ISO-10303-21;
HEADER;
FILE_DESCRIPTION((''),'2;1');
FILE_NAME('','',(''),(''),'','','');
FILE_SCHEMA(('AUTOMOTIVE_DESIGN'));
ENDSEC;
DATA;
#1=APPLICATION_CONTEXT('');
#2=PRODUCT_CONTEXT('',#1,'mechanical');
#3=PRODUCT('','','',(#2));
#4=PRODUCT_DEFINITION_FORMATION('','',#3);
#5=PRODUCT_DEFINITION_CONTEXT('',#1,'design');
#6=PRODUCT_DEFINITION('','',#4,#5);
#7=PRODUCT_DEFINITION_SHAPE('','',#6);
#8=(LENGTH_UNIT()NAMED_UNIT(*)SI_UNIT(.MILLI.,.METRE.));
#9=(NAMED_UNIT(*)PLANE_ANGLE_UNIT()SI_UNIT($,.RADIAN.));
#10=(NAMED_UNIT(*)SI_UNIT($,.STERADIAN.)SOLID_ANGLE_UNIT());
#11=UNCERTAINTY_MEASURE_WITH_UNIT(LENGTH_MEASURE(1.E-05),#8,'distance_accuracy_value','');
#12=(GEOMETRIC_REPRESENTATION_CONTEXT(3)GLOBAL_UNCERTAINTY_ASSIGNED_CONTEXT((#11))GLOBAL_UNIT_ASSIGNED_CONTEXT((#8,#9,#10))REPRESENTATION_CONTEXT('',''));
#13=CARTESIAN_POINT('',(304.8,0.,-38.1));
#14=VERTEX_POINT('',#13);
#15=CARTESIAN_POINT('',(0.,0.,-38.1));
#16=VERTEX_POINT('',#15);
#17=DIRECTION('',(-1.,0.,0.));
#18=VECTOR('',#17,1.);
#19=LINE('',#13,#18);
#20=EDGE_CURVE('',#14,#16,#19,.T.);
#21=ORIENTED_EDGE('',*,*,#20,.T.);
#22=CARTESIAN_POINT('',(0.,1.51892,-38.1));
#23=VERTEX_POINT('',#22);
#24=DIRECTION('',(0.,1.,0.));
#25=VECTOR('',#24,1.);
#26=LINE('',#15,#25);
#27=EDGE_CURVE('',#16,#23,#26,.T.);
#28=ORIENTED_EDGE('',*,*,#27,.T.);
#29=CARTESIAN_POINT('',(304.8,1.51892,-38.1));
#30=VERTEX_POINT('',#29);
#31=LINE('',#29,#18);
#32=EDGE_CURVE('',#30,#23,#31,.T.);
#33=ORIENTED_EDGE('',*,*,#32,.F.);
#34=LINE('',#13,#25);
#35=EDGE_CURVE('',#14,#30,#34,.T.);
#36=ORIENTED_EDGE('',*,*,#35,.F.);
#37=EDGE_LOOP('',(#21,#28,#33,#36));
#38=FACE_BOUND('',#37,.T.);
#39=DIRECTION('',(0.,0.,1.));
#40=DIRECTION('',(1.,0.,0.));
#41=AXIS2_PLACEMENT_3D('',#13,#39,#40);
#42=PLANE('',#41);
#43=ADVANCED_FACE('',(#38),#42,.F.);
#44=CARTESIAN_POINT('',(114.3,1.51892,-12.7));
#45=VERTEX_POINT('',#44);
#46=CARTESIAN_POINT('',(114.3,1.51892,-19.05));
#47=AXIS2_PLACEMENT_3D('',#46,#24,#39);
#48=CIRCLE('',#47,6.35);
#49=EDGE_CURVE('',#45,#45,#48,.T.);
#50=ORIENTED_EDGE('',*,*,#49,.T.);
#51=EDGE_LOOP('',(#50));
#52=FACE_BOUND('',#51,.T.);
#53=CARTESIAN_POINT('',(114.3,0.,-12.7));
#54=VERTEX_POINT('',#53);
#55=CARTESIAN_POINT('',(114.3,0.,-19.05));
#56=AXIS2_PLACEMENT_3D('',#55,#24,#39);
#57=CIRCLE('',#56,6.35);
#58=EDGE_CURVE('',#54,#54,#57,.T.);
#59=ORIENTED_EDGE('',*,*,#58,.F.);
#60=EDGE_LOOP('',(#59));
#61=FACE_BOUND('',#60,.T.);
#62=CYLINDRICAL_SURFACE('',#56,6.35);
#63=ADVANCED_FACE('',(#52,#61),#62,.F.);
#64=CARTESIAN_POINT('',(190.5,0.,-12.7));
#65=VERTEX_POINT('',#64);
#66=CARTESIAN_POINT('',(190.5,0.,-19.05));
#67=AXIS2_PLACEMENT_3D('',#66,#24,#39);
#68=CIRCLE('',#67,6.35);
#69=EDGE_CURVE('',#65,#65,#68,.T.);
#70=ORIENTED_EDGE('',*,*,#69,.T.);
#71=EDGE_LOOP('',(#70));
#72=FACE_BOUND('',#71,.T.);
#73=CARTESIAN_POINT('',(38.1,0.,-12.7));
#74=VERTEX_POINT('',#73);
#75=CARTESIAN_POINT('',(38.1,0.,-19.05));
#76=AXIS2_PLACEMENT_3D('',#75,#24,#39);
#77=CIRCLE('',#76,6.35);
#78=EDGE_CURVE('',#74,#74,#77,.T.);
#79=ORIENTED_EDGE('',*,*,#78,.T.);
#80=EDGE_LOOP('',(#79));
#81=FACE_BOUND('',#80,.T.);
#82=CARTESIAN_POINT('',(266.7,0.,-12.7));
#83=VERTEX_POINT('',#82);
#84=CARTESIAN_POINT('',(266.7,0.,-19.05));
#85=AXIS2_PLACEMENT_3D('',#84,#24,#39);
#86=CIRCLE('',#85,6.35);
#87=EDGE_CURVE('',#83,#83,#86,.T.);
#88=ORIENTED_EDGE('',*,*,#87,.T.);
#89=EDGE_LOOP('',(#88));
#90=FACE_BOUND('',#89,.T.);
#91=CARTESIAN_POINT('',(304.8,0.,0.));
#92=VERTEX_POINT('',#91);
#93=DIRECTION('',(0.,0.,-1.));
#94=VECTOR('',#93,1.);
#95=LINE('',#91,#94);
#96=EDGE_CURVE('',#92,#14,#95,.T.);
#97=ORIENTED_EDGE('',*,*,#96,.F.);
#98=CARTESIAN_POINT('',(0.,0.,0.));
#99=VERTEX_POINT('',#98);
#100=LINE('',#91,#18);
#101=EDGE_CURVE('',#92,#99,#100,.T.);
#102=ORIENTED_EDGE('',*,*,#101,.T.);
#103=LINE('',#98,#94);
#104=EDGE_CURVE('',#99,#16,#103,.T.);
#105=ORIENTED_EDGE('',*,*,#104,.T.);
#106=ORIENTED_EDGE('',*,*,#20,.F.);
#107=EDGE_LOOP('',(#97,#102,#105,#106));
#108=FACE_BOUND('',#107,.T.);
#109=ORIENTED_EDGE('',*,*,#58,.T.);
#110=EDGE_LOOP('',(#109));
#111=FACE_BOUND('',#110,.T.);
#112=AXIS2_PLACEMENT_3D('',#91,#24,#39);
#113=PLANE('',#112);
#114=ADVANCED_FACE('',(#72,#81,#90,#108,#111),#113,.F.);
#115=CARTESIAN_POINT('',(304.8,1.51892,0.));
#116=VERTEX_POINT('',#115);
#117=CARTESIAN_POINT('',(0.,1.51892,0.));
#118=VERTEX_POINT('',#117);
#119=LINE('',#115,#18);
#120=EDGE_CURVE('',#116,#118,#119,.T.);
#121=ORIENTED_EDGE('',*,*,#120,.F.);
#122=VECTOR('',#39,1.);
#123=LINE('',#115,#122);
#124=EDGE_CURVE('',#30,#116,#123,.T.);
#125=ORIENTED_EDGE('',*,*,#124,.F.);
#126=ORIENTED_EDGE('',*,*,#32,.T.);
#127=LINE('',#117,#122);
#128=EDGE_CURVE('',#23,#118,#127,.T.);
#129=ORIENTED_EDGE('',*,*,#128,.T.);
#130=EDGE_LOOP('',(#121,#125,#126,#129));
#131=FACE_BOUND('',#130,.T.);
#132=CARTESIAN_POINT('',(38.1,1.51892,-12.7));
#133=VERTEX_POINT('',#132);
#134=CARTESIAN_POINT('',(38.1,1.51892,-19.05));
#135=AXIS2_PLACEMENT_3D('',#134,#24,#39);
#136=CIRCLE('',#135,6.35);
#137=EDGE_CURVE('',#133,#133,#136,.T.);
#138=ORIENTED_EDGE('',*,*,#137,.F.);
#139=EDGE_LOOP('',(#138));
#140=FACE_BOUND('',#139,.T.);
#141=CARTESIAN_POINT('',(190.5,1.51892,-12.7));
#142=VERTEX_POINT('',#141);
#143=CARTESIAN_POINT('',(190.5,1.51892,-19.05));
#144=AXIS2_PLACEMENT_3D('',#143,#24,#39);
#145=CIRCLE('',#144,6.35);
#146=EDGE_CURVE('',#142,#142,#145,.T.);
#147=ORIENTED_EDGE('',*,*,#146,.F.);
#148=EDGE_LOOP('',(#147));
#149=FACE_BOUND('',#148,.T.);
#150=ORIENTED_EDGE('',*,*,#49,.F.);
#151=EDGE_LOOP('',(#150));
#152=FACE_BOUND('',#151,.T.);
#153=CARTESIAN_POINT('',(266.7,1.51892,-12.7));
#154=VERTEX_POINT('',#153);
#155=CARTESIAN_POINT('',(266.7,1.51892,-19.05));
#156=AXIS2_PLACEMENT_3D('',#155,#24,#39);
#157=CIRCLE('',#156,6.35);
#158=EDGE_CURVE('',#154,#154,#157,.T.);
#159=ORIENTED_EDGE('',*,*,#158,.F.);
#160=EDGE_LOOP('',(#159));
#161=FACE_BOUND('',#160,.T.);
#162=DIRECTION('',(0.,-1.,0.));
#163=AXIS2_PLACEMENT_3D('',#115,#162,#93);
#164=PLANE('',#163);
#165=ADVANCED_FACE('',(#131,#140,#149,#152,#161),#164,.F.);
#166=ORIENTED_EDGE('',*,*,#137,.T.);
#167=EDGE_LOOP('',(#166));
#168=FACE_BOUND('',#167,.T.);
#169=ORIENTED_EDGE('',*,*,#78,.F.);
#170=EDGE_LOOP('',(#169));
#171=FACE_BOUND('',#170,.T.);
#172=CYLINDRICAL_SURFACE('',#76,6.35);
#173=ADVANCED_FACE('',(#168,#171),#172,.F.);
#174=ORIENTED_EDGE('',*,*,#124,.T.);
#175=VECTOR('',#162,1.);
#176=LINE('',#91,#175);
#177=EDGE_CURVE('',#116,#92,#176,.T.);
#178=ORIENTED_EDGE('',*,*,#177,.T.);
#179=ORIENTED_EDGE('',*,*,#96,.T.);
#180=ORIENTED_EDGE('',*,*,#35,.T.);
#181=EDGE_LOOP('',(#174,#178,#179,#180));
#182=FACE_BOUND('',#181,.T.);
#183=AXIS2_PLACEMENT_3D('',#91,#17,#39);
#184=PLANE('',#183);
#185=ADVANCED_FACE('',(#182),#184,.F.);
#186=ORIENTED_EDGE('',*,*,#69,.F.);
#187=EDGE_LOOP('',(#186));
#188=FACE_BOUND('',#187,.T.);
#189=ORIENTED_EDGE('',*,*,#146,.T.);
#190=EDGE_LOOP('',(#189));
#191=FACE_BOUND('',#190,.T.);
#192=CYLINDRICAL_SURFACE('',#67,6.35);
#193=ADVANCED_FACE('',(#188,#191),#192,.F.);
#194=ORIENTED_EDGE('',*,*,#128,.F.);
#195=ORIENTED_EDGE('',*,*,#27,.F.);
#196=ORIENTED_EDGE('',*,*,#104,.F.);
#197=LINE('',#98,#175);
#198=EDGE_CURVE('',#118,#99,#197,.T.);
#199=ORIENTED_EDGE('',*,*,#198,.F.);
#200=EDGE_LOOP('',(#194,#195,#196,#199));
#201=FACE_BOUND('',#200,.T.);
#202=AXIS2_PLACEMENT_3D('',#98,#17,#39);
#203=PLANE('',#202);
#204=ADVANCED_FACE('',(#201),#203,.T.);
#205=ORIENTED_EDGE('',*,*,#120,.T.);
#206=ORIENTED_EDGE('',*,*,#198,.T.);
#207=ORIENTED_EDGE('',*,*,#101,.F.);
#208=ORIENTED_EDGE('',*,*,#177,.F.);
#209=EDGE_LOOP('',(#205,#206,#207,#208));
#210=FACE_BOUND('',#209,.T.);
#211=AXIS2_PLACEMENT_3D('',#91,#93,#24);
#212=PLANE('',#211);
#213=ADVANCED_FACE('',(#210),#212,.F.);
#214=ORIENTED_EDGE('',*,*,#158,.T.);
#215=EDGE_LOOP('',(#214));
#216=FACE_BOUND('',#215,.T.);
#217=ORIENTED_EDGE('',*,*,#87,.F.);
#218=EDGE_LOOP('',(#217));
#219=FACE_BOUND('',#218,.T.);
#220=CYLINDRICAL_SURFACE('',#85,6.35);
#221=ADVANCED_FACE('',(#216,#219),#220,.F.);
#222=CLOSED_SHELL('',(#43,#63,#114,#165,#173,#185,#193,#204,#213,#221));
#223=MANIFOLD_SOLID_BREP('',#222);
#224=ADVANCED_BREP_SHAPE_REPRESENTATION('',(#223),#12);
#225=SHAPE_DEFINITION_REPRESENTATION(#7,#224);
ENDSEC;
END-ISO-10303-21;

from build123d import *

# Parameters (mm, degrees)
SKETCH1_W           = 38.1
SKETCH1_H           = 1.51892
BOSS_EXTRUDE1_DEPTH = 304.8
SKETCH3_R           = 6.35
CUT_EXTRUDE1_DEPTH  = 2.51892


with BuildPart() as part:
    # Sketch1 → Boss-Extrude1 (new body)
    with BuildSketch(Plane(origin=(0, 0, 0), x_dir=(0, 0, -1), z_dir=(1, 0, 0))):
        with Locations((19.05, 0.75946)):
            Rectangle(SKETCH1_W, SKETCH1_H)
    extrude(amount=BOSS_EXTRUDE1_DEPTH)

    # Sketch3 → Cut-Extrude1 (cut, through all)
    with BuildSketch(Plane(origin=(0, 1.51892, 0), x_dir=(1, 0, 0), z_dir=(0, 1, 0))):
        with Locations((114.3, 19.05)):
            Circle(SKETCH3_R)
        with Locations((190.5, 19.05)):
            Circle(SKETCH3_R)
        with Locations((266.7, 19.05)):
            Circle(SKETCH3_R)
        with Locations((38.1, 19.05)):
            Circle(SKETCH3_R)
    extrude(amount=-CUT_EXTRUDE1_DEPTH, mode=Mode.SUBTRACT)


solid = part.part
